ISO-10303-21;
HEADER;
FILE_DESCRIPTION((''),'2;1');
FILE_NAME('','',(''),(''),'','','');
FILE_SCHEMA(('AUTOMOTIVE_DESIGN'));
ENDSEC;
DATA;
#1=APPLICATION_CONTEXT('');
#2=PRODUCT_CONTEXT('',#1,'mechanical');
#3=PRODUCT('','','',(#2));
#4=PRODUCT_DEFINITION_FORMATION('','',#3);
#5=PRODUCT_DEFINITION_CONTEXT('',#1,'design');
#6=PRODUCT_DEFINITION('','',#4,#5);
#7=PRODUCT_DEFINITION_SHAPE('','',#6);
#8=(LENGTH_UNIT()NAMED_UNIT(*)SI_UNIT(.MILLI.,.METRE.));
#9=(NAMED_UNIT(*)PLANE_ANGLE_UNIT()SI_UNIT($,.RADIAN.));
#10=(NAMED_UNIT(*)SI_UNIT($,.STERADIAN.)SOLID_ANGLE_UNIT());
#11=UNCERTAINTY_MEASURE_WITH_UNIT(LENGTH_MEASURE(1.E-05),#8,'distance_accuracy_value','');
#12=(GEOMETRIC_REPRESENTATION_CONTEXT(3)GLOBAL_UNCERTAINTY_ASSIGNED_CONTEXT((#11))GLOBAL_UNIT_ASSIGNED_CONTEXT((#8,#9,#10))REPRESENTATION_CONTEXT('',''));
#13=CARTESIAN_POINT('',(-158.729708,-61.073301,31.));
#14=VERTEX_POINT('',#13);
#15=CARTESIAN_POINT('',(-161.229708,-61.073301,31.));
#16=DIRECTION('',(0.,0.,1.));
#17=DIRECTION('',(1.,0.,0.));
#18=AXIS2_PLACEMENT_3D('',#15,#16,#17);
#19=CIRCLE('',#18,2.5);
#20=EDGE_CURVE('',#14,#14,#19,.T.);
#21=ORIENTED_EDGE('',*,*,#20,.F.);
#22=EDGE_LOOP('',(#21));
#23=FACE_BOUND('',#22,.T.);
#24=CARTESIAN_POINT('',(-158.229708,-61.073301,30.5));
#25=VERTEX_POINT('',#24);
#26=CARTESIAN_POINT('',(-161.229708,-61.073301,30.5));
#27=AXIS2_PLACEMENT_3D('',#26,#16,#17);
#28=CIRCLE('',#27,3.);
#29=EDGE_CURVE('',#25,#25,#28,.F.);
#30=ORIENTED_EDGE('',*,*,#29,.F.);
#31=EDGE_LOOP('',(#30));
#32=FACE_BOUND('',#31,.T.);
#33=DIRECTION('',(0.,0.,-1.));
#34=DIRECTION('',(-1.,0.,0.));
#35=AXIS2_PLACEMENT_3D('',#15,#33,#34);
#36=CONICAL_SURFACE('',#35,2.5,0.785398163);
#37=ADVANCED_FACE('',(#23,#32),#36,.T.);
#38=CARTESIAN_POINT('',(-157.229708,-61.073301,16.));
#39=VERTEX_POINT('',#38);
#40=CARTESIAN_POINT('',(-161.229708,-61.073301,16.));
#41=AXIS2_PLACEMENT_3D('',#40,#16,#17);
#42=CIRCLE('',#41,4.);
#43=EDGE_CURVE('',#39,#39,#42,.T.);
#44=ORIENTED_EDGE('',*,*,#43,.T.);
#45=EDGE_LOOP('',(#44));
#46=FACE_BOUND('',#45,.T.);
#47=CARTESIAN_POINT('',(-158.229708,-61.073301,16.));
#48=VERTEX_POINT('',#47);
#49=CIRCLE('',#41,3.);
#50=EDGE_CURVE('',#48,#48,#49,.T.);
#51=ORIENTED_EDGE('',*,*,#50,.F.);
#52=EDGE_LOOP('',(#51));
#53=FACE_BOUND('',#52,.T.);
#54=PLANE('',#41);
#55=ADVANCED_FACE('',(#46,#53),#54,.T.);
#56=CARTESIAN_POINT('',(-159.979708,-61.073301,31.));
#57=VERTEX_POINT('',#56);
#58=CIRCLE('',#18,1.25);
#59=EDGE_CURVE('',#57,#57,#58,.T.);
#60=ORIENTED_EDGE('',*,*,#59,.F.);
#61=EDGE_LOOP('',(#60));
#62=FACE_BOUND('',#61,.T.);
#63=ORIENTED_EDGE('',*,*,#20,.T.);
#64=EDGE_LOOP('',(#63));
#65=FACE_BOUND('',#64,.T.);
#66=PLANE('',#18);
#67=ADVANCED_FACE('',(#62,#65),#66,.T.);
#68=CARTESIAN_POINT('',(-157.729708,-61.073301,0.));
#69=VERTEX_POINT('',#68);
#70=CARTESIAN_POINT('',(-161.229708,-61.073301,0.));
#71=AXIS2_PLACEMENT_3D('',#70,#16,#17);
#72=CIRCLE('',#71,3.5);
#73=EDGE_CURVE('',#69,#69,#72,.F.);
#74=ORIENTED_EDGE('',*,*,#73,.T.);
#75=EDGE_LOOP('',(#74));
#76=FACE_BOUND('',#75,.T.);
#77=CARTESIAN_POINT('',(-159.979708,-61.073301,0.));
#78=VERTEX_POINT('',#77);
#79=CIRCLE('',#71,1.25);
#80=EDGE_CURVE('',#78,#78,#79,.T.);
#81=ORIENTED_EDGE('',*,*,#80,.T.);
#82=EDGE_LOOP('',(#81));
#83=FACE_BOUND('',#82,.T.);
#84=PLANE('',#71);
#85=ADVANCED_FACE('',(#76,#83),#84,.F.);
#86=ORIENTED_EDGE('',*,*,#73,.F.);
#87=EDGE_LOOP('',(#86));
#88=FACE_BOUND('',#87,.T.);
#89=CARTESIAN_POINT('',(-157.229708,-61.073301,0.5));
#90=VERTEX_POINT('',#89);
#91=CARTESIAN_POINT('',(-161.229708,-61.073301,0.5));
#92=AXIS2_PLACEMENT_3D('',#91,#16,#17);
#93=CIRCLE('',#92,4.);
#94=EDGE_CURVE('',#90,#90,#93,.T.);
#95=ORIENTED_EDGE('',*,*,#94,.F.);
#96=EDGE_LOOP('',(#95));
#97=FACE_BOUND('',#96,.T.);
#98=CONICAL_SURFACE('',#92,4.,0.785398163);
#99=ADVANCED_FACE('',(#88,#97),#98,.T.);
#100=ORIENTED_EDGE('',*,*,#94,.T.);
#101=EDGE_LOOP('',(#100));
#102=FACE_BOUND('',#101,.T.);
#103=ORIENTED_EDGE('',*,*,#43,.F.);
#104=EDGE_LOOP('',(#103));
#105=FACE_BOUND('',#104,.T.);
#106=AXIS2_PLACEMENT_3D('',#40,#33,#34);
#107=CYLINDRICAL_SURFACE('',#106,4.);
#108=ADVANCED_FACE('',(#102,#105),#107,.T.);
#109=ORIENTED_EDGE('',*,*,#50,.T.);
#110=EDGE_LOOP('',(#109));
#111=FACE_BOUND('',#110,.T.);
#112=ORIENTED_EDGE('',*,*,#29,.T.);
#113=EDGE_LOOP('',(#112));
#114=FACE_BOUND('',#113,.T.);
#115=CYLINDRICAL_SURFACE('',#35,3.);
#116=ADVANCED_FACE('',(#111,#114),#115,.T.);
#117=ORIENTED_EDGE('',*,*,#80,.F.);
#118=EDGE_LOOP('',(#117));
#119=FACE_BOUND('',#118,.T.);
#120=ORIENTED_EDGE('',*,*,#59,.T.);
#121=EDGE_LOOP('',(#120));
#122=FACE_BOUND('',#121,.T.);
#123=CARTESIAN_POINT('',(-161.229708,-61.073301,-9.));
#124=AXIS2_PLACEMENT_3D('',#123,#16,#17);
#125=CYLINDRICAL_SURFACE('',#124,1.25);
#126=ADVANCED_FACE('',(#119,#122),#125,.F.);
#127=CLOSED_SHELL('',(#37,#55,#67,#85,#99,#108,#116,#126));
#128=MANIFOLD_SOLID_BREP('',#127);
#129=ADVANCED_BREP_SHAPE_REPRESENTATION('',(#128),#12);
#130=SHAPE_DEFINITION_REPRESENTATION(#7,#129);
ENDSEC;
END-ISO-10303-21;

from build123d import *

# Parameters (mm, degrees)
SKETCH1_R           = 4
BOSS_EXTRUDE1_DEPTH = 16
SKETCH2_R           = 3
BOSS_EXTRUDE2_DEPTH = 15
SKETCH3_R           = 1.25
CUT_EXTRUDE1_DEPTH  = 40
CHAMFER1_SIZE       = 0.5


with BuildPart() as part:
    # Sketch1 → Boss-Extrude1 (new body)
    with BuildSketch(Plane.XY):
        with Locations((-161.229707574, -61.073300905)):
            Circle(SKETCH1_R)
    extrude(amount=BOSS_EXTRUDE1_DEPTH)

    # Sketch2 → Boss-Extrude2 (add)
    with BuildSketch(Plane.XY.offset(16)):
        with Locations((-161.229707574, -61.073300905)):
            Circle(SKETCH2_R)
    extrude(amount=BOSS_EXTRUDE2_DEPTH)

    # Sketch3 → Cut-Extrude1 (cut)
    with BuildSketch(Plane.XY.offset(31)):
        with Locations((-161.229707574, -61.073300905)):
            Circle(SKETCH3_R)
    extrude(amount=-CUT_EXTRUDE1_DEPTH, mode=Mode.SUBTRACT)

    # Chamfer1
    chamfer1_edges = [part.edges().sort_by_distance(p)[0] for p in [
        (-165.229707574, -61.073300905, 0),
        (-164.229707574, -61.073300905, 31),
    ]]
    chamfer(chamfer1_edges, length=CHAMFER1_SIZE)


solid = part.part
